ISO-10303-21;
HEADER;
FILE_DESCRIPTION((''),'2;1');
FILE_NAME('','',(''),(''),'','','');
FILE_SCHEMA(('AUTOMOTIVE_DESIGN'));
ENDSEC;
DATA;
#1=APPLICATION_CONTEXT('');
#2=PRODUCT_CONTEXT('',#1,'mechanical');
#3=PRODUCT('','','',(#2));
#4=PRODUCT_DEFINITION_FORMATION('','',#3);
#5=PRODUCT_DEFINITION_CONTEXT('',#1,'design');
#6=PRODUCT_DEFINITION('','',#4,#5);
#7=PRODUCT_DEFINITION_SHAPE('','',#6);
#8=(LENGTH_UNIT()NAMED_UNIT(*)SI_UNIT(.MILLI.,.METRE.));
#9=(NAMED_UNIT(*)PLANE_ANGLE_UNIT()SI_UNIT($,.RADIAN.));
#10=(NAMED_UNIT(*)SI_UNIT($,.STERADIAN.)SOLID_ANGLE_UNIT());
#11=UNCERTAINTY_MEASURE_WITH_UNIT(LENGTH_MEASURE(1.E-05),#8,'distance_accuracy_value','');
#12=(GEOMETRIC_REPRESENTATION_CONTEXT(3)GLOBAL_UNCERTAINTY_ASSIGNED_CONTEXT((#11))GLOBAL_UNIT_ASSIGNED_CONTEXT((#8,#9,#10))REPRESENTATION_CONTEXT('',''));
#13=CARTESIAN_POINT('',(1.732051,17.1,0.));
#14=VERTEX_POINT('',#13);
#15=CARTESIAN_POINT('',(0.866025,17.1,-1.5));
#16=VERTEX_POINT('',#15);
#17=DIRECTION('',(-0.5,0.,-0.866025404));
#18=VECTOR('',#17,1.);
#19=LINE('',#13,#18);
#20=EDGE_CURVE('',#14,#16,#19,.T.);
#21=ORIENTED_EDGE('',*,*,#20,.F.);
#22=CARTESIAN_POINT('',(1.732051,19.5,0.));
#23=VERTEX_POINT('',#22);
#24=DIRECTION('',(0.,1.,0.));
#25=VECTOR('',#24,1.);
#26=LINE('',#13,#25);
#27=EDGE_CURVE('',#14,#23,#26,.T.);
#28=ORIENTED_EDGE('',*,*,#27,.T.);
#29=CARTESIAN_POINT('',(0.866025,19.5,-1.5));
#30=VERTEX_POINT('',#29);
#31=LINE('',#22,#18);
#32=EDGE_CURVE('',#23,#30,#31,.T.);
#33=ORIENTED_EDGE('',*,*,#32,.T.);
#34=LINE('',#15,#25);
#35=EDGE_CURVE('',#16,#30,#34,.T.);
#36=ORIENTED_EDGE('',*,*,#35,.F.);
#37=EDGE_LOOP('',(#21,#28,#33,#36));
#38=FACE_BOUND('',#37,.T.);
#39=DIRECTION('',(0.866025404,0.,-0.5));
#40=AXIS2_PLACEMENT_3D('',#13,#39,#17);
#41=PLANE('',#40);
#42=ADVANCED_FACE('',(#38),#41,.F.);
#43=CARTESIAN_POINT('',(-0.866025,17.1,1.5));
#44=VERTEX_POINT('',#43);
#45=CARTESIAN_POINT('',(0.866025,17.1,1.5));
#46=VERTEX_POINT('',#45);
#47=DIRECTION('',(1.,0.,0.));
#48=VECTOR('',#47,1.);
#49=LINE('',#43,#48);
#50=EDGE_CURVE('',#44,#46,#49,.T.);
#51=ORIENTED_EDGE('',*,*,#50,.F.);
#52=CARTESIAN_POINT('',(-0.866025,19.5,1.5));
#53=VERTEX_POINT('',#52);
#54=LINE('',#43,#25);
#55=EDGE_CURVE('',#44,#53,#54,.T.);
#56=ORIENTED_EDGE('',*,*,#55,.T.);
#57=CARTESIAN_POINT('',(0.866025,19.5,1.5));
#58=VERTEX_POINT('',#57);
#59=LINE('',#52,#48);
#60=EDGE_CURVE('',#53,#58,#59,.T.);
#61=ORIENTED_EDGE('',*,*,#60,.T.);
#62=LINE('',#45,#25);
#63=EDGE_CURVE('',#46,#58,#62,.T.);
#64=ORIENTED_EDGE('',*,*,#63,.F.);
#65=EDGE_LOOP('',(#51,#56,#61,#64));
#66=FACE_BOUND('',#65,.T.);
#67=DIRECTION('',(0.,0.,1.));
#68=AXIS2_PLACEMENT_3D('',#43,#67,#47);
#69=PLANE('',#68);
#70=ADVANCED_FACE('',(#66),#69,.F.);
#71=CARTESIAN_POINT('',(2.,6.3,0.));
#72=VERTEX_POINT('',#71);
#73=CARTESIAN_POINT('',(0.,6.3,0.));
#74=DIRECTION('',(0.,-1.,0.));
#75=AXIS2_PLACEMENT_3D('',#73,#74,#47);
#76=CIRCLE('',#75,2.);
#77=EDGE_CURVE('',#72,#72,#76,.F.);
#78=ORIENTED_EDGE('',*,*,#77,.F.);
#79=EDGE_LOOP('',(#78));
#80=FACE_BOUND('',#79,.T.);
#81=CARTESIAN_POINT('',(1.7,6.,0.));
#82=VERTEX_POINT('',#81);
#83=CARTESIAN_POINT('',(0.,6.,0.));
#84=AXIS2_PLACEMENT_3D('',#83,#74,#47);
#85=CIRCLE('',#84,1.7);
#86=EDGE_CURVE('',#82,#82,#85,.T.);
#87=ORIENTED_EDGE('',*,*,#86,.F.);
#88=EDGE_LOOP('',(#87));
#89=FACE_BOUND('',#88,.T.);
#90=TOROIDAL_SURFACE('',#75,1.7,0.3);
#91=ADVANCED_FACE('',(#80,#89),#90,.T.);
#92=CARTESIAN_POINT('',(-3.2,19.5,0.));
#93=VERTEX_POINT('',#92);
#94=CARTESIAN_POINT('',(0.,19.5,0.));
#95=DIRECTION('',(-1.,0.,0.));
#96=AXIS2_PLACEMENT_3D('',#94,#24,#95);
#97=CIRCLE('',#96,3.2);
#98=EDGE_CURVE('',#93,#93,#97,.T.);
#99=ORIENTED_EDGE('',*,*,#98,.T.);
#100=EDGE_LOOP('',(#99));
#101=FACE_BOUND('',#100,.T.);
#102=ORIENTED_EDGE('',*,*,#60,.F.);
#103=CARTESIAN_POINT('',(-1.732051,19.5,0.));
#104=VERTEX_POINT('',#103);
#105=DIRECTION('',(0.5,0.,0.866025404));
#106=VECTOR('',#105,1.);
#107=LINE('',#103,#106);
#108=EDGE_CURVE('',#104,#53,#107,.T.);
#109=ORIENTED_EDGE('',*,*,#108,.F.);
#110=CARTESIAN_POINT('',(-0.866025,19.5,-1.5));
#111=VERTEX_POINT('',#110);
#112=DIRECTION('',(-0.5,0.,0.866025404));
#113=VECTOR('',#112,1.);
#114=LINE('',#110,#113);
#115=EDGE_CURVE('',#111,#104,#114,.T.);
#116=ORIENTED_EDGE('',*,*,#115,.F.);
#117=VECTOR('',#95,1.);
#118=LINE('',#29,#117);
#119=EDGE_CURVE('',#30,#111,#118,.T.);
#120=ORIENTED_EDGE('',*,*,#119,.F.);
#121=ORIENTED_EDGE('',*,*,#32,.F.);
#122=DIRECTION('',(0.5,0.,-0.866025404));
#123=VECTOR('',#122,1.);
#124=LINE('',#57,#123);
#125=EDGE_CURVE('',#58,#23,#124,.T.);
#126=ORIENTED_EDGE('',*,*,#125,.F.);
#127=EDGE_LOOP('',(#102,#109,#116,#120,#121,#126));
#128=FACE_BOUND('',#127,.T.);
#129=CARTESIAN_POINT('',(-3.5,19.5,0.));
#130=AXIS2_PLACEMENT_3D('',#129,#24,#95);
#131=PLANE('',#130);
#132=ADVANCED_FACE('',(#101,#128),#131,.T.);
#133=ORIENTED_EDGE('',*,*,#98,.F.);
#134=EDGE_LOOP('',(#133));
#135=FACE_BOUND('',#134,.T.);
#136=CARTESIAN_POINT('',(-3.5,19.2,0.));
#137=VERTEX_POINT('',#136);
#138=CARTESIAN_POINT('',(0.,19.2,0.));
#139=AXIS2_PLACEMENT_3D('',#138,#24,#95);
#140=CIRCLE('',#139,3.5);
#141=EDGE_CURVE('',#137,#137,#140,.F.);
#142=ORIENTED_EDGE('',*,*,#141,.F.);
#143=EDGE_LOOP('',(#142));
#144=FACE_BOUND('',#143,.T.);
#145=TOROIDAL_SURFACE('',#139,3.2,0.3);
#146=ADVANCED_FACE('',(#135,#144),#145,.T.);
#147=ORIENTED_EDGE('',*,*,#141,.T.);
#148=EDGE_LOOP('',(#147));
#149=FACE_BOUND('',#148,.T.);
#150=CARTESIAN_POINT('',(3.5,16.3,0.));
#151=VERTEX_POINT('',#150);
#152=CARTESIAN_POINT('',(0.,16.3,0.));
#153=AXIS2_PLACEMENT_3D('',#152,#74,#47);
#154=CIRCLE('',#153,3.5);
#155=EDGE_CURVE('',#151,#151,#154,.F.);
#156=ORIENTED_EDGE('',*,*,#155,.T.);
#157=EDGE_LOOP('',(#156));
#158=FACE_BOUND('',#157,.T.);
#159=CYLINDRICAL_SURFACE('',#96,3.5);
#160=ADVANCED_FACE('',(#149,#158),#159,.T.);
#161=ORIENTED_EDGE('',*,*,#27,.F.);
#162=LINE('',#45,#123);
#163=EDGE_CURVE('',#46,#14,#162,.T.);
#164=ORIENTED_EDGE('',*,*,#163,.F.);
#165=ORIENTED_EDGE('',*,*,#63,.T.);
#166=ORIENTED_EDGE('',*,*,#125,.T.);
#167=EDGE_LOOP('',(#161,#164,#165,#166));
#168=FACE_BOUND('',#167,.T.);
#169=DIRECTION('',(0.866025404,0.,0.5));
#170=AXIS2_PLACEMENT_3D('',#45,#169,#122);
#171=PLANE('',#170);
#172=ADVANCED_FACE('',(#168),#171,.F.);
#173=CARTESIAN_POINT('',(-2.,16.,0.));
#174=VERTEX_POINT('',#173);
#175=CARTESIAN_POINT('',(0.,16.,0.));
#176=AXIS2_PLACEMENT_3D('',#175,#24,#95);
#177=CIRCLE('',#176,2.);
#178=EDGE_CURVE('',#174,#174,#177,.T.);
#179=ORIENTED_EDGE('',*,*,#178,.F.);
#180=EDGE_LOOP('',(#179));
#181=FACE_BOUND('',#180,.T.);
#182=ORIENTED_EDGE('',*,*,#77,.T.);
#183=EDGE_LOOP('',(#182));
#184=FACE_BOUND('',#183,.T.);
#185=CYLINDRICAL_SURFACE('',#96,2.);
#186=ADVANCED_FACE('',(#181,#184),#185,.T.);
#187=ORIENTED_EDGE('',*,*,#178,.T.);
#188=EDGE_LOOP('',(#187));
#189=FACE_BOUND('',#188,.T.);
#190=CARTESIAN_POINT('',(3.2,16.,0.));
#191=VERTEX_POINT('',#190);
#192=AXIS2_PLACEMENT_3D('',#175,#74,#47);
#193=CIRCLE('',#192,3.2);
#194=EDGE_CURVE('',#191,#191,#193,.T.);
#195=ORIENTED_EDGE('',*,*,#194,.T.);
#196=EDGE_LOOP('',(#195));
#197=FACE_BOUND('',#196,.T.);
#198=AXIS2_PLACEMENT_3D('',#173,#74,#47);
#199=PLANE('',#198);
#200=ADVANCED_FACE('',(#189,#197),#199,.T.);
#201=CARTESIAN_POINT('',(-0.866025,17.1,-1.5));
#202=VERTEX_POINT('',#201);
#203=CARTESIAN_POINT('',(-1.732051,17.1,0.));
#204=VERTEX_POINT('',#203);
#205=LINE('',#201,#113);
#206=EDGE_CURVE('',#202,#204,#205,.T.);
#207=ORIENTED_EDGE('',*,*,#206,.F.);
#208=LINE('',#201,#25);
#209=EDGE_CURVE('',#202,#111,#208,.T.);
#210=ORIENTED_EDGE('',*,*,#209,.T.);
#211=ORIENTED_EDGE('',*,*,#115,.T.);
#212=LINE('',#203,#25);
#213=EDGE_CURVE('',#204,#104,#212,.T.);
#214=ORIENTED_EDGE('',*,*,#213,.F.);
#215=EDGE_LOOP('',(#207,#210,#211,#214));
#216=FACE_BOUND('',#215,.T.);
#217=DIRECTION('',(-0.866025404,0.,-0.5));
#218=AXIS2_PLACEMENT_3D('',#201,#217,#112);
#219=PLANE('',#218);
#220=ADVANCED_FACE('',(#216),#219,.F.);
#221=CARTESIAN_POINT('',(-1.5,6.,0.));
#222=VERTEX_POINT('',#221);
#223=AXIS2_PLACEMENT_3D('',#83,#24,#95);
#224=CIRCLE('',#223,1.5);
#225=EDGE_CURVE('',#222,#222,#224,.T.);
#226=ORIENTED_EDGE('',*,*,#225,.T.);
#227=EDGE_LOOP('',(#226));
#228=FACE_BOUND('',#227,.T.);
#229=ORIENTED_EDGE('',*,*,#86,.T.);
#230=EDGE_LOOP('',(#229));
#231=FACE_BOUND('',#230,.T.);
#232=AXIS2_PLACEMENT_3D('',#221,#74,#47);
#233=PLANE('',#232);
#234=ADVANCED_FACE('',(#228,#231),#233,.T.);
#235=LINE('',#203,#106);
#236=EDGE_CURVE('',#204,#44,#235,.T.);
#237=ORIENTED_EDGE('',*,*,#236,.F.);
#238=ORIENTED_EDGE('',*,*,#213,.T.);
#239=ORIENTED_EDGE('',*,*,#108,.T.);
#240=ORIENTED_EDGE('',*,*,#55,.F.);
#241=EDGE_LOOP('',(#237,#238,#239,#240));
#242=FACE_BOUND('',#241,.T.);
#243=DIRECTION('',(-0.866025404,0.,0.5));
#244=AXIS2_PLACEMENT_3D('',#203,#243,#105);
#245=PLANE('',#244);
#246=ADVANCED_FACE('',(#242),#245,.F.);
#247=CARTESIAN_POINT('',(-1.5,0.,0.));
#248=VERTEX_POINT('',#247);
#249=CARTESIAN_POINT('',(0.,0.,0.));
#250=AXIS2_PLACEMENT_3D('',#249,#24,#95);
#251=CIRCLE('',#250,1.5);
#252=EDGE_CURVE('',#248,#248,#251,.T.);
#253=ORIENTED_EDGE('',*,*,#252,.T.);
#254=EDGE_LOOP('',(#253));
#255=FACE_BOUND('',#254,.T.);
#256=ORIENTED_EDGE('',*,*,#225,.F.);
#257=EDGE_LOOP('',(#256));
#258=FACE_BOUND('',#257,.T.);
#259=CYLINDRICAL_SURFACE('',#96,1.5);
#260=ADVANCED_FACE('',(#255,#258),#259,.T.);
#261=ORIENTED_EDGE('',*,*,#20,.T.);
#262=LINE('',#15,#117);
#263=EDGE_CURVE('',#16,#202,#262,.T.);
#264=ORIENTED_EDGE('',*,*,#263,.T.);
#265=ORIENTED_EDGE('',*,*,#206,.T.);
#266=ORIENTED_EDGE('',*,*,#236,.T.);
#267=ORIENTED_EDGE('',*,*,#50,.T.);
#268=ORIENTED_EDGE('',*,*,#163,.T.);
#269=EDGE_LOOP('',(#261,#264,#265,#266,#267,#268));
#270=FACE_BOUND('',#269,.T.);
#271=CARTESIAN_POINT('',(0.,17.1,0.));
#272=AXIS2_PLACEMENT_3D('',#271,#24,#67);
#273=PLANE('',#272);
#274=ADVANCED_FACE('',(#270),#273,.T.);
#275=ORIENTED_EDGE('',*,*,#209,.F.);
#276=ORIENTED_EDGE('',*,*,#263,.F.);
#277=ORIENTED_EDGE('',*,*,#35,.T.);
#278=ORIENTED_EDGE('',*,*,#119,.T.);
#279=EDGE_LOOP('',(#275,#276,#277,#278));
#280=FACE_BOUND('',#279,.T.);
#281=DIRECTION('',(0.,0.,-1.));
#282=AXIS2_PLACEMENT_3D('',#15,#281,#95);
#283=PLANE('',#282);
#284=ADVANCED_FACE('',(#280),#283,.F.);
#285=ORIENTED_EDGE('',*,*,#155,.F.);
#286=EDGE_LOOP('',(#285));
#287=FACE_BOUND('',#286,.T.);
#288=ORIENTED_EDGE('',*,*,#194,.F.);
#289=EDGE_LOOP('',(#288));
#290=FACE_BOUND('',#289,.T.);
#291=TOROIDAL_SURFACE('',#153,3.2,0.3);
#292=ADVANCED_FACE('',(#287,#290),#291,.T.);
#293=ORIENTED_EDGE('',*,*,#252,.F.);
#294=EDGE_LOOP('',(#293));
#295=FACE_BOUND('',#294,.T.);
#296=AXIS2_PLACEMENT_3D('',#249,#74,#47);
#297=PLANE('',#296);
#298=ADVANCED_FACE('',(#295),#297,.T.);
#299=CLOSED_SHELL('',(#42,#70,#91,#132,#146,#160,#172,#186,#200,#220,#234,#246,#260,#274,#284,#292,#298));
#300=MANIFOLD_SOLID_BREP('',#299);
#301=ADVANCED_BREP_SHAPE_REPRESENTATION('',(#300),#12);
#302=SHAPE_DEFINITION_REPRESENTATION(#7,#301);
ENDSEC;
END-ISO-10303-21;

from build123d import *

# Parameters (mm, degrees)
FILLET_1_R          = 0.3
CUT_EXTRUDE_1_DEPTH = 2.4


with BuildPart() as part:
    # 草图1 → 旋转1 (revolve)
    with BuildSketch(Plane.XY):
        Polygon((0, 0), (-1.5, 0), (-1.5, 6), (-2, 6), (-2, 16), (-3.5, 16), (-3.5, 19.5), (0, 19.5), align=None)
    revolve(axis=Axis((0, 19.5, 0), (0, -1, 0)))

    # 圆角1
    fillet_1_edges = [part.edges().sort_by_distance(p)[0] for p in [
        (3.5, 19.5, 0),
        (3.5, 16, 0),
        (2, 6, 0),
    ]]
    fillet(fillet_1_edges, radius=FILLET_1_R)

    # 草图2 → 切除-拉伸1 (cut)
    with BuildSketch(Plane(origin=(0, 19.5, 0), x_dir=(1, 0, 0), z_dir=(0, 1, 0))):
        Polygon((0.866025404, -1.5), (1.732050808, 0), (0.866025404, 1.5), (-0.866025404, 1.5), (-1.732050808, 0), (-0.866025404, -1.5), align=None)
    extrude(amount=-CUT_EXTRUDE_1_DEPTH, mode=Mode.SUBTRACT)


solid = part.part
